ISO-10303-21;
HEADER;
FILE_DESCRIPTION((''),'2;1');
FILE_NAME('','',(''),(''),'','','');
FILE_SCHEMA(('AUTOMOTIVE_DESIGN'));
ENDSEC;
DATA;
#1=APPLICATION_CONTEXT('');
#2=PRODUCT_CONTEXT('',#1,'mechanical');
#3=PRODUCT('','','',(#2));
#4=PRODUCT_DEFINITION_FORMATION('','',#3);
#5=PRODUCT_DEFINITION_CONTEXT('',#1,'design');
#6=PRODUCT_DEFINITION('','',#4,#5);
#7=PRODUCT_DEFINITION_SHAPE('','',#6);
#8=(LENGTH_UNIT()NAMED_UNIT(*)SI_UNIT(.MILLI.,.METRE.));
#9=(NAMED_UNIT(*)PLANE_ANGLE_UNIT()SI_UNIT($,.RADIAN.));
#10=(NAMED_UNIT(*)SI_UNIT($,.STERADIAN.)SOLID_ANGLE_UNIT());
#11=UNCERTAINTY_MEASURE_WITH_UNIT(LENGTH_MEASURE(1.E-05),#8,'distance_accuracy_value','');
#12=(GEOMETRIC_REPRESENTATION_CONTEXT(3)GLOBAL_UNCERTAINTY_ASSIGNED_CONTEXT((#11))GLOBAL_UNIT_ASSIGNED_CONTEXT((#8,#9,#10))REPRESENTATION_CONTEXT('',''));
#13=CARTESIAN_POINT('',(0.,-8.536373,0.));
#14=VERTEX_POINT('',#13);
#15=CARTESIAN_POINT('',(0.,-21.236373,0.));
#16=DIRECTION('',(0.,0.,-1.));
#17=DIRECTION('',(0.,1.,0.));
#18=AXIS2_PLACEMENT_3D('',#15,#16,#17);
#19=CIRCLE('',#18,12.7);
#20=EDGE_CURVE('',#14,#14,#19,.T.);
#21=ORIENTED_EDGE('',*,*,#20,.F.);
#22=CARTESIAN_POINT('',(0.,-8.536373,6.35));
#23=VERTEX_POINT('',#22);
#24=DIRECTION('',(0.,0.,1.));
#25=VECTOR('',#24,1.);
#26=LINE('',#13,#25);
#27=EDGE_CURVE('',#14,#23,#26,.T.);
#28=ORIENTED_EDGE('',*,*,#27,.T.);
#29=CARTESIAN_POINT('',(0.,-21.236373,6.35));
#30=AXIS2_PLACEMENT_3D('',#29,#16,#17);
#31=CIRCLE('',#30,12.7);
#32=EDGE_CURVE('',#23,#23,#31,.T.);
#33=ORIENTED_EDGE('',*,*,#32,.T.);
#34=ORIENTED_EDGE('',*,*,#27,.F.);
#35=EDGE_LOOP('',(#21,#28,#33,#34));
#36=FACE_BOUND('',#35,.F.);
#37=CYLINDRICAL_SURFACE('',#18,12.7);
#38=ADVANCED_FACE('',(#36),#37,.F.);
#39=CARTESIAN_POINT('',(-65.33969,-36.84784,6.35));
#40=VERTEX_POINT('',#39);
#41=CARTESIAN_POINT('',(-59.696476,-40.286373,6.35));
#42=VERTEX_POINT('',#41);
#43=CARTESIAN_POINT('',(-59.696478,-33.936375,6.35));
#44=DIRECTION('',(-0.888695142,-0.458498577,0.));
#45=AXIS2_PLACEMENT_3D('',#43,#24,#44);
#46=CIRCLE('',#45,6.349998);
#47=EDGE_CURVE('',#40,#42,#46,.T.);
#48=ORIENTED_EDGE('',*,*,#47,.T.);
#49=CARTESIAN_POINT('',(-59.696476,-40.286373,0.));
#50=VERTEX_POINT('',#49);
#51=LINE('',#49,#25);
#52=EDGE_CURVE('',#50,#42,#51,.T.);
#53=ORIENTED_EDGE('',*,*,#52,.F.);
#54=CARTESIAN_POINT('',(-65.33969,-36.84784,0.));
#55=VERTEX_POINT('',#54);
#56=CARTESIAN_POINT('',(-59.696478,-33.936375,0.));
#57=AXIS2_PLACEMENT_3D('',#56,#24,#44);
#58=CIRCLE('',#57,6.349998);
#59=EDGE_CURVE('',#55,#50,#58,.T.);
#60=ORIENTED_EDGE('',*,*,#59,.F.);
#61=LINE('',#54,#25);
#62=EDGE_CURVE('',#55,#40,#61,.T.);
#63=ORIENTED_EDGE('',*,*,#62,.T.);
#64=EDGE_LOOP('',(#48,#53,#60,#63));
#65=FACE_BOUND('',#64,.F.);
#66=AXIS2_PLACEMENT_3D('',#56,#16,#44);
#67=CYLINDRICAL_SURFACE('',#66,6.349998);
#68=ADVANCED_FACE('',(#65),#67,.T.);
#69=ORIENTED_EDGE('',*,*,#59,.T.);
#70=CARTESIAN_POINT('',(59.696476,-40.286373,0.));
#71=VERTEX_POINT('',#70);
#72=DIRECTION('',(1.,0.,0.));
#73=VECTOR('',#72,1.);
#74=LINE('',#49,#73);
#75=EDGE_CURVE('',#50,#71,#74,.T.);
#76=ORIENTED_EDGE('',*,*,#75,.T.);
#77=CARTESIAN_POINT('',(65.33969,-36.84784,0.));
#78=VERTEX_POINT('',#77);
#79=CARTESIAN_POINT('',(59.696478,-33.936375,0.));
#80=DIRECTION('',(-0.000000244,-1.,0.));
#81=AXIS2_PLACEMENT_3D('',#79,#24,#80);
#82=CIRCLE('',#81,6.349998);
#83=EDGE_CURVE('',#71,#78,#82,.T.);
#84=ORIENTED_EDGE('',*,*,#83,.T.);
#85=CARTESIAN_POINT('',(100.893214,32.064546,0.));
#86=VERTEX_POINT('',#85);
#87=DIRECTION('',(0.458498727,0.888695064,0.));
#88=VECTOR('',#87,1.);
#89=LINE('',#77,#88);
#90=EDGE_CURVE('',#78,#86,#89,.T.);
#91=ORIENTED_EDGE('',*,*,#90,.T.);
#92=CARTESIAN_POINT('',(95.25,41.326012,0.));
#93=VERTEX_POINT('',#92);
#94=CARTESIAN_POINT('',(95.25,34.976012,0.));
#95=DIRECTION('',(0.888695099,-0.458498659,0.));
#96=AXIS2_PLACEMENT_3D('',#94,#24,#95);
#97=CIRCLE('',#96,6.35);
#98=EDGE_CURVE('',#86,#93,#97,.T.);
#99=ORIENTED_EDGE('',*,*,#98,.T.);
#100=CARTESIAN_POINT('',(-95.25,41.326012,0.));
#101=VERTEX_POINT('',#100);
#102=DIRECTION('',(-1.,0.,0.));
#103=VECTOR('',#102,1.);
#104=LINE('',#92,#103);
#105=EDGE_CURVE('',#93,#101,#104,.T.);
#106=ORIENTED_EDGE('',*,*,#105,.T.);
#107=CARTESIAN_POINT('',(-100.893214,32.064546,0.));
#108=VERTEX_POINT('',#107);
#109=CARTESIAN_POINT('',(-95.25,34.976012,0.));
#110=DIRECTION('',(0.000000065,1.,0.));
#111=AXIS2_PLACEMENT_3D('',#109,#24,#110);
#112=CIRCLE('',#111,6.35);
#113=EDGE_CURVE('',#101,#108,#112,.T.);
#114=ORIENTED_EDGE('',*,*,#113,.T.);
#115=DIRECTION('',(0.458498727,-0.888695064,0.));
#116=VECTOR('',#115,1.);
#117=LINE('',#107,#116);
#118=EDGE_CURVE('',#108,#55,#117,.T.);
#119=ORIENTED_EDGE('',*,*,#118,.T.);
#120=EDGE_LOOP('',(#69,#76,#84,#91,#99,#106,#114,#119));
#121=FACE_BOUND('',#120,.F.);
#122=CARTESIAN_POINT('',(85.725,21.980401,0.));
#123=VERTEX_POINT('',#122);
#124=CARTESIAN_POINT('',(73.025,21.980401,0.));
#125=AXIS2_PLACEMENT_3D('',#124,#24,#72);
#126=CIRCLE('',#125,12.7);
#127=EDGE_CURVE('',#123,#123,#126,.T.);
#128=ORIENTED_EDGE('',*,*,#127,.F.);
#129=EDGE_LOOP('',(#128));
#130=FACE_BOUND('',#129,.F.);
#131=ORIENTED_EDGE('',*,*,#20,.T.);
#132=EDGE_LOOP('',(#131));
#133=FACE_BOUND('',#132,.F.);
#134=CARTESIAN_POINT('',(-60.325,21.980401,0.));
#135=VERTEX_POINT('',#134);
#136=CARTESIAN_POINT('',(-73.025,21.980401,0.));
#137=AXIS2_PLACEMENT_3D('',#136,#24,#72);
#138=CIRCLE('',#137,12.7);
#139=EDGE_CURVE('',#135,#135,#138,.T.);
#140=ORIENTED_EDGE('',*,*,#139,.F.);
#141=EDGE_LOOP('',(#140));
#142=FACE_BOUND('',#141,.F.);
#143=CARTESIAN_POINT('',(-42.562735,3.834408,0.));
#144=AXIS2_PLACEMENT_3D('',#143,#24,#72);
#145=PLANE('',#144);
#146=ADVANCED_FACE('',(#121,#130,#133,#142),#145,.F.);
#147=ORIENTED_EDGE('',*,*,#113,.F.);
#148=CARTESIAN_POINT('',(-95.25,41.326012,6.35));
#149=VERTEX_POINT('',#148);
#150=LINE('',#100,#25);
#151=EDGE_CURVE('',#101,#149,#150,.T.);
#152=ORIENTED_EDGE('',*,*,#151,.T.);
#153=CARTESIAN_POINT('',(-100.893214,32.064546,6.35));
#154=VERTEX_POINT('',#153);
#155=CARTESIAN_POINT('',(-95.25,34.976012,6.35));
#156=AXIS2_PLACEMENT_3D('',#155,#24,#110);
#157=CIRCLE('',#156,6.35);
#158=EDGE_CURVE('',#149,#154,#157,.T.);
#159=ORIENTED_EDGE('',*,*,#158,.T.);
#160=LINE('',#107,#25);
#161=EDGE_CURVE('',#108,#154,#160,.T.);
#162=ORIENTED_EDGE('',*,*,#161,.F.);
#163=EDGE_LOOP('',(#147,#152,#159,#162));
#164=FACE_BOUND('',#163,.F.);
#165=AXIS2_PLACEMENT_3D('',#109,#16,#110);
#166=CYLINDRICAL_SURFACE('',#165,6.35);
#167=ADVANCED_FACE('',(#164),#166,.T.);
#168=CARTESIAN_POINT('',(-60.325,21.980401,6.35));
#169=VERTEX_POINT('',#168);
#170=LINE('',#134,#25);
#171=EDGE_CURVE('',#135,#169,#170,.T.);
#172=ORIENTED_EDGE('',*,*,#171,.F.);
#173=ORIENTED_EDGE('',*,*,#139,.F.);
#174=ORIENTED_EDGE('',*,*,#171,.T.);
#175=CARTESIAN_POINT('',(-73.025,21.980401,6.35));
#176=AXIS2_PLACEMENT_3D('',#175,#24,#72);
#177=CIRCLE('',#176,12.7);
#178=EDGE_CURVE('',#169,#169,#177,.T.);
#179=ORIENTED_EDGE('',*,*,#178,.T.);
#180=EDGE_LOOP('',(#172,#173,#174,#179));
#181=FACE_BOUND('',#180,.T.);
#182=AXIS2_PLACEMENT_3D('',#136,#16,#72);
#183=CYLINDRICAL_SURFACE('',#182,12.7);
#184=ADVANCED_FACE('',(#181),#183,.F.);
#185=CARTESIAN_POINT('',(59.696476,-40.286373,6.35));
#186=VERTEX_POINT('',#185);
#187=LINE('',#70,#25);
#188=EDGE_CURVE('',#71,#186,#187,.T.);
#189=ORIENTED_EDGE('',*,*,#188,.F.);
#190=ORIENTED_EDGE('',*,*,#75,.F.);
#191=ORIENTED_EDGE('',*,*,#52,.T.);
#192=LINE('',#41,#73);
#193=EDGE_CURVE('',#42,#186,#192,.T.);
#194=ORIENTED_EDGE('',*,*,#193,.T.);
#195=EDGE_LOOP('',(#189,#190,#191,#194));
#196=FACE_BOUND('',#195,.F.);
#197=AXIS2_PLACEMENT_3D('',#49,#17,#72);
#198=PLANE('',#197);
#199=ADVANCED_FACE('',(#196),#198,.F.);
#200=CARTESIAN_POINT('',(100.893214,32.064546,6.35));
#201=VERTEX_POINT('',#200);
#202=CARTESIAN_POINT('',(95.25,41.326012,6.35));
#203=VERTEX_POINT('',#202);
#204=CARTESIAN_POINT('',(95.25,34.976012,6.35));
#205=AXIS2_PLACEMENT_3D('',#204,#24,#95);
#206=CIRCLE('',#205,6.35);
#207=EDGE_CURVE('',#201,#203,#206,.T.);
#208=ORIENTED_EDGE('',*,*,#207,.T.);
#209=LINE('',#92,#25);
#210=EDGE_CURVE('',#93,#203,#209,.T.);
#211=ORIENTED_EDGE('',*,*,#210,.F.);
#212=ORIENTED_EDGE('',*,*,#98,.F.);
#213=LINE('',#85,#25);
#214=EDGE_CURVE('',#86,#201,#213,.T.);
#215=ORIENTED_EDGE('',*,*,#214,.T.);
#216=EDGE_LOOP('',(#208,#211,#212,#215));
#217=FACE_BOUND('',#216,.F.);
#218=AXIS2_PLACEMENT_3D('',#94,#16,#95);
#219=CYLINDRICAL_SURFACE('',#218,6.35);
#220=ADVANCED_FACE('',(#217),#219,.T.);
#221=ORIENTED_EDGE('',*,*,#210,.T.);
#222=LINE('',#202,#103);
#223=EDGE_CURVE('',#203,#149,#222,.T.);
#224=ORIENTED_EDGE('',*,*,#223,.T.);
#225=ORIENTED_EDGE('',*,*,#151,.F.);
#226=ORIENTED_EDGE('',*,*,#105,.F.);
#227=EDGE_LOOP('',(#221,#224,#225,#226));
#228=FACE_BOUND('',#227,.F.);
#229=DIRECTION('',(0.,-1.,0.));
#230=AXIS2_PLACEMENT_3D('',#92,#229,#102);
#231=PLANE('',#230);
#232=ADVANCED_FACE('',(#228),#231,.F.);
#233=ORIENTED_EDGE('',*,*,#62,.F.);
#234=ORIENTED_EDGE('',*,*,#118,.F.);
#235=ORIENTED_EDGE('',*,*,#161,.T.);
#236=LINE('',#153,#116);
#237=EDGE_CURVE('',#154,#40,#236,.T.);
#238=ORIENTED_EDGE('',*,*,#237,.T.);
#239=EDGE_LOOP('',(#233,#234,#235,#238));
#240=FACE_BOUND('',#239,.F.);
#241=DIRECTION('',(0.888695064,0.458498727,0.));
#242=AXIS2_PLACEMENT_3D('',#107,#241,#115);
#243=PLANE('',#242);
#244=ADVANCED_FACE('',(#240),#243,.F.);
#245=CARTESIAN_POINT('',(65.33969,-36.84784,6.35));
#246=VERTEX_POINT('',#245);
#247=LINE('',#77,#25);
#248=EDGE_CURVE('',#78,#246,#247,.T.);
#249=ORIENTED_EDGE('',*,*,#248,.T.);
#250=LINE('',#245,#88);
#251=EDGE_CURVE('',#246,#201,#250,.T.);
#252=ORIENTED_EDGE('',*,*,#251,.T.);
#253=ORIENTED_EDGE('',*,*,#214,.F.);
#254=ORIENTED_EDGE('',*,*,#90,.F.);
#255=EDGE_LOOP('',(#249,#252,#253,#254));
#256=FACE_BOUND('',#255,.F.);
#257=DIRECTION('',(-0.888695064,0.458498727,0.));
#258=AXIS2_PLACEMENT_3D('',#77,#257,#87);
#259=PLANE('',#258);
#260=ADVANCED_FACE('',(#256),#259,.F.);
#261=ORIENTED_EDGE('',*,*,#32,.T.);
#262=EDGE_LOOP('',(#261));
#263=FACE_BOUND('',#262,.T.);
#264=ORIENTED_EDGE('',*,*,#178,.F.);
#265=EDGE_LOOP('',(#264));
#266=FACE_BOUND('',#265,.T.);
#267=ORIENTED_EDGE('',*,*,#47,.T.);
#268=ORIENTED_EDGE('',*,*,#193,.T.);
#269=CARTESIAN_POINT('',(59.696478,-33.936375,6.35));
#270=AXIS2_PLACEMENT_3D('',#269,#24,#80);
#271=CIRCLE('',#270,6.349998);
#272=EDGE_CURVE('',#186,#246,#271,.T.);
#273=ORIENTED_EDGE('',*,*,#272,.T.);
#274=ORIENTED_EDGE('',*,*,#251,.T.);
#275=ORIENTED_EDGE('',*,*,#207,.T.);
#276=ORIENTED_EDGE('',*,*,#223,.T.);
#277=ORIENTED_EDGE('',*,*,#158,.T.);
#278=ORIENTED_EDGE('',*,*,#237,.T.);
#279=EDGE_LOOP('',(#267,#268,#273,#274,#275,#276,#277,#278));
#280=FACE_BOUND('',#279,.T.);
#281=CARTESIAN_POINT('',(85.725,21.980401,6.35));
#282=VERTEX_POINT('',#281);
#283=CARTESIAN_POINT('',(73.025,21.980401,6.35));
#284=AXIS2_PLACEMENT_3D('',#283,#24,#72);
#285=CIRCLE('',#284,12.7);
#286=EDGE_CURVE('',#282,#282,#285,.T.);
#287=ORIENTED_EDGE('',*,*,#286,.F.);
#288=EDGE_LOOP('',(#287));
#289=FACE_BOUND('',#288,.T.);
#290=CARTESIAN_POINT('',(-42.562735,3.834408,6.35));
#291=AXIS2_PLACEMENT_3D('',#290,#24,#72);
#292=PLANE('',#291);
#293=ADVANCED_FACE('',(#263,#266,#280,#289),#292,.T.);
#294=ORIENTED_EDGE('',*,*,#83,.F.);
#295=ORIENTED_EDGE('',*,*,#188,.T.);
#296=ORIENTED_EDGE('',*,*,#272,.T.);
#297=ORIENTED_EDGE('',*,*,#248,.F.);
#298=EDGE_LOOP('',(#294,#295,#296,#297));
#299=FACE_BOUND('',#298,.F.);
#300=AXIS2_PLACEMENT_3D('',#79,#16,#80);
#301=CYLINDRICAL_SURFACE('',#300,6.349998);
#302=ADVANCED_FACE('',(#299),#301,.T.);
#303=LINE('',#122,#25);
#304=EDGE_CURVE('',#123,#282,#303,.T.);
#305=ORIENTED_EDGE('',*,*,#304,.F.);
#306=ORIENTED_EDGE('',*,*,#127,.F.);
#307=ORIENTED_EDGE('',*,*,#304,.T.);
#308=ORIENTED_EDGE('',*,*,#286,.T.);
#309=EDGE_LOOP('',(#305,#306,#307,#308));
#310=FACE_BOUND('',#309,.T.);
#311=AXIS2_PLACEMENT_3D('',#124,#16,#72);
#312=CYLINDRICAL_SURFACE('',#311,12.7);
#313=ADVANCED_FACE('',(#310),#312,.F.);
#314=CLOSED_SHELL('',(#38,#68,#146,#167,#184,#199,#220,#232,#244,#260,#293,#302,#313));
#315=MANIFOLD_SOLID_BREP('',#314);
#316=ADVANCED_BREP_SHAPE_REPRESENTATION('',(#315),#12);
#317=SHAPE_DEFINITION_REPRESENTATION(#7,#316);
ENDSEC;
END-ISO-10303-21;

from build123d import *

# Parameters (mm, degrees)
F0_R     = 12.7
F1_DEPTH = 6.35


with BuildPart() as f1:
    # F0 (on Top) → F1 (new body)
    with BuildSketch(Plane.XY):
        with BuildLine():
            Line((0, -8.536373), (0, 41.326012))
            Line((0, 41.326012), (-95.25, 41.326012))
            ThreePointArc((-95.25, 41.326012), (-100.672652, 38.280153), (-100.893214, 32.064546))
            Line((-100.893214, 32.064546), (-65.33969, -36.84784))
            ThreePointArc((-65.33969, -36.84784), (-63.000616, -39.359026), (-59.696476, -40.286373))
            Line((-59.696476, -40.286373), (0, -40.286373))
            Line((0, -40.286373), (0, -33.936373))
            ThreePointArc((0, -33.936373), (-12.7, -21.236373), (0, -8.536373))
        make_face()
        with Locations((-73.025, 21.980401)):
            Circle(F0_R, mode=Mode.SUBTRACT)
        with BuildLine():
            Line((95.25, 41.326012), (0, 41.326012))
            Line((0, 41.326012), (0, -8.536373))
            ThreePointArc((0, -8.536373), (12.7, -21.236373), (0, -33.936373))
            Line((0, -33.936373), (0, -40.286373))
            Line((0, -40.286373), (59.696476, -40.286373))
            ThreePointArc((59.696476, -40.286373), (63.000616, -39.359026), (65.33969, -36.84784))
            Line((65.33969, -36.84784), (100.893214, 32.064546))
            ThreePointArc((100.893214, 32.064546), (100.672652, 38.280153), (95.25, 41.326012))
        make_face()
        with Locations((73.025, 21.980401)):
            Circle(F0_R, mode=Mode.SUBTRACT)
    extrude(amount=F1_DEPTH)


solid = f1.part
